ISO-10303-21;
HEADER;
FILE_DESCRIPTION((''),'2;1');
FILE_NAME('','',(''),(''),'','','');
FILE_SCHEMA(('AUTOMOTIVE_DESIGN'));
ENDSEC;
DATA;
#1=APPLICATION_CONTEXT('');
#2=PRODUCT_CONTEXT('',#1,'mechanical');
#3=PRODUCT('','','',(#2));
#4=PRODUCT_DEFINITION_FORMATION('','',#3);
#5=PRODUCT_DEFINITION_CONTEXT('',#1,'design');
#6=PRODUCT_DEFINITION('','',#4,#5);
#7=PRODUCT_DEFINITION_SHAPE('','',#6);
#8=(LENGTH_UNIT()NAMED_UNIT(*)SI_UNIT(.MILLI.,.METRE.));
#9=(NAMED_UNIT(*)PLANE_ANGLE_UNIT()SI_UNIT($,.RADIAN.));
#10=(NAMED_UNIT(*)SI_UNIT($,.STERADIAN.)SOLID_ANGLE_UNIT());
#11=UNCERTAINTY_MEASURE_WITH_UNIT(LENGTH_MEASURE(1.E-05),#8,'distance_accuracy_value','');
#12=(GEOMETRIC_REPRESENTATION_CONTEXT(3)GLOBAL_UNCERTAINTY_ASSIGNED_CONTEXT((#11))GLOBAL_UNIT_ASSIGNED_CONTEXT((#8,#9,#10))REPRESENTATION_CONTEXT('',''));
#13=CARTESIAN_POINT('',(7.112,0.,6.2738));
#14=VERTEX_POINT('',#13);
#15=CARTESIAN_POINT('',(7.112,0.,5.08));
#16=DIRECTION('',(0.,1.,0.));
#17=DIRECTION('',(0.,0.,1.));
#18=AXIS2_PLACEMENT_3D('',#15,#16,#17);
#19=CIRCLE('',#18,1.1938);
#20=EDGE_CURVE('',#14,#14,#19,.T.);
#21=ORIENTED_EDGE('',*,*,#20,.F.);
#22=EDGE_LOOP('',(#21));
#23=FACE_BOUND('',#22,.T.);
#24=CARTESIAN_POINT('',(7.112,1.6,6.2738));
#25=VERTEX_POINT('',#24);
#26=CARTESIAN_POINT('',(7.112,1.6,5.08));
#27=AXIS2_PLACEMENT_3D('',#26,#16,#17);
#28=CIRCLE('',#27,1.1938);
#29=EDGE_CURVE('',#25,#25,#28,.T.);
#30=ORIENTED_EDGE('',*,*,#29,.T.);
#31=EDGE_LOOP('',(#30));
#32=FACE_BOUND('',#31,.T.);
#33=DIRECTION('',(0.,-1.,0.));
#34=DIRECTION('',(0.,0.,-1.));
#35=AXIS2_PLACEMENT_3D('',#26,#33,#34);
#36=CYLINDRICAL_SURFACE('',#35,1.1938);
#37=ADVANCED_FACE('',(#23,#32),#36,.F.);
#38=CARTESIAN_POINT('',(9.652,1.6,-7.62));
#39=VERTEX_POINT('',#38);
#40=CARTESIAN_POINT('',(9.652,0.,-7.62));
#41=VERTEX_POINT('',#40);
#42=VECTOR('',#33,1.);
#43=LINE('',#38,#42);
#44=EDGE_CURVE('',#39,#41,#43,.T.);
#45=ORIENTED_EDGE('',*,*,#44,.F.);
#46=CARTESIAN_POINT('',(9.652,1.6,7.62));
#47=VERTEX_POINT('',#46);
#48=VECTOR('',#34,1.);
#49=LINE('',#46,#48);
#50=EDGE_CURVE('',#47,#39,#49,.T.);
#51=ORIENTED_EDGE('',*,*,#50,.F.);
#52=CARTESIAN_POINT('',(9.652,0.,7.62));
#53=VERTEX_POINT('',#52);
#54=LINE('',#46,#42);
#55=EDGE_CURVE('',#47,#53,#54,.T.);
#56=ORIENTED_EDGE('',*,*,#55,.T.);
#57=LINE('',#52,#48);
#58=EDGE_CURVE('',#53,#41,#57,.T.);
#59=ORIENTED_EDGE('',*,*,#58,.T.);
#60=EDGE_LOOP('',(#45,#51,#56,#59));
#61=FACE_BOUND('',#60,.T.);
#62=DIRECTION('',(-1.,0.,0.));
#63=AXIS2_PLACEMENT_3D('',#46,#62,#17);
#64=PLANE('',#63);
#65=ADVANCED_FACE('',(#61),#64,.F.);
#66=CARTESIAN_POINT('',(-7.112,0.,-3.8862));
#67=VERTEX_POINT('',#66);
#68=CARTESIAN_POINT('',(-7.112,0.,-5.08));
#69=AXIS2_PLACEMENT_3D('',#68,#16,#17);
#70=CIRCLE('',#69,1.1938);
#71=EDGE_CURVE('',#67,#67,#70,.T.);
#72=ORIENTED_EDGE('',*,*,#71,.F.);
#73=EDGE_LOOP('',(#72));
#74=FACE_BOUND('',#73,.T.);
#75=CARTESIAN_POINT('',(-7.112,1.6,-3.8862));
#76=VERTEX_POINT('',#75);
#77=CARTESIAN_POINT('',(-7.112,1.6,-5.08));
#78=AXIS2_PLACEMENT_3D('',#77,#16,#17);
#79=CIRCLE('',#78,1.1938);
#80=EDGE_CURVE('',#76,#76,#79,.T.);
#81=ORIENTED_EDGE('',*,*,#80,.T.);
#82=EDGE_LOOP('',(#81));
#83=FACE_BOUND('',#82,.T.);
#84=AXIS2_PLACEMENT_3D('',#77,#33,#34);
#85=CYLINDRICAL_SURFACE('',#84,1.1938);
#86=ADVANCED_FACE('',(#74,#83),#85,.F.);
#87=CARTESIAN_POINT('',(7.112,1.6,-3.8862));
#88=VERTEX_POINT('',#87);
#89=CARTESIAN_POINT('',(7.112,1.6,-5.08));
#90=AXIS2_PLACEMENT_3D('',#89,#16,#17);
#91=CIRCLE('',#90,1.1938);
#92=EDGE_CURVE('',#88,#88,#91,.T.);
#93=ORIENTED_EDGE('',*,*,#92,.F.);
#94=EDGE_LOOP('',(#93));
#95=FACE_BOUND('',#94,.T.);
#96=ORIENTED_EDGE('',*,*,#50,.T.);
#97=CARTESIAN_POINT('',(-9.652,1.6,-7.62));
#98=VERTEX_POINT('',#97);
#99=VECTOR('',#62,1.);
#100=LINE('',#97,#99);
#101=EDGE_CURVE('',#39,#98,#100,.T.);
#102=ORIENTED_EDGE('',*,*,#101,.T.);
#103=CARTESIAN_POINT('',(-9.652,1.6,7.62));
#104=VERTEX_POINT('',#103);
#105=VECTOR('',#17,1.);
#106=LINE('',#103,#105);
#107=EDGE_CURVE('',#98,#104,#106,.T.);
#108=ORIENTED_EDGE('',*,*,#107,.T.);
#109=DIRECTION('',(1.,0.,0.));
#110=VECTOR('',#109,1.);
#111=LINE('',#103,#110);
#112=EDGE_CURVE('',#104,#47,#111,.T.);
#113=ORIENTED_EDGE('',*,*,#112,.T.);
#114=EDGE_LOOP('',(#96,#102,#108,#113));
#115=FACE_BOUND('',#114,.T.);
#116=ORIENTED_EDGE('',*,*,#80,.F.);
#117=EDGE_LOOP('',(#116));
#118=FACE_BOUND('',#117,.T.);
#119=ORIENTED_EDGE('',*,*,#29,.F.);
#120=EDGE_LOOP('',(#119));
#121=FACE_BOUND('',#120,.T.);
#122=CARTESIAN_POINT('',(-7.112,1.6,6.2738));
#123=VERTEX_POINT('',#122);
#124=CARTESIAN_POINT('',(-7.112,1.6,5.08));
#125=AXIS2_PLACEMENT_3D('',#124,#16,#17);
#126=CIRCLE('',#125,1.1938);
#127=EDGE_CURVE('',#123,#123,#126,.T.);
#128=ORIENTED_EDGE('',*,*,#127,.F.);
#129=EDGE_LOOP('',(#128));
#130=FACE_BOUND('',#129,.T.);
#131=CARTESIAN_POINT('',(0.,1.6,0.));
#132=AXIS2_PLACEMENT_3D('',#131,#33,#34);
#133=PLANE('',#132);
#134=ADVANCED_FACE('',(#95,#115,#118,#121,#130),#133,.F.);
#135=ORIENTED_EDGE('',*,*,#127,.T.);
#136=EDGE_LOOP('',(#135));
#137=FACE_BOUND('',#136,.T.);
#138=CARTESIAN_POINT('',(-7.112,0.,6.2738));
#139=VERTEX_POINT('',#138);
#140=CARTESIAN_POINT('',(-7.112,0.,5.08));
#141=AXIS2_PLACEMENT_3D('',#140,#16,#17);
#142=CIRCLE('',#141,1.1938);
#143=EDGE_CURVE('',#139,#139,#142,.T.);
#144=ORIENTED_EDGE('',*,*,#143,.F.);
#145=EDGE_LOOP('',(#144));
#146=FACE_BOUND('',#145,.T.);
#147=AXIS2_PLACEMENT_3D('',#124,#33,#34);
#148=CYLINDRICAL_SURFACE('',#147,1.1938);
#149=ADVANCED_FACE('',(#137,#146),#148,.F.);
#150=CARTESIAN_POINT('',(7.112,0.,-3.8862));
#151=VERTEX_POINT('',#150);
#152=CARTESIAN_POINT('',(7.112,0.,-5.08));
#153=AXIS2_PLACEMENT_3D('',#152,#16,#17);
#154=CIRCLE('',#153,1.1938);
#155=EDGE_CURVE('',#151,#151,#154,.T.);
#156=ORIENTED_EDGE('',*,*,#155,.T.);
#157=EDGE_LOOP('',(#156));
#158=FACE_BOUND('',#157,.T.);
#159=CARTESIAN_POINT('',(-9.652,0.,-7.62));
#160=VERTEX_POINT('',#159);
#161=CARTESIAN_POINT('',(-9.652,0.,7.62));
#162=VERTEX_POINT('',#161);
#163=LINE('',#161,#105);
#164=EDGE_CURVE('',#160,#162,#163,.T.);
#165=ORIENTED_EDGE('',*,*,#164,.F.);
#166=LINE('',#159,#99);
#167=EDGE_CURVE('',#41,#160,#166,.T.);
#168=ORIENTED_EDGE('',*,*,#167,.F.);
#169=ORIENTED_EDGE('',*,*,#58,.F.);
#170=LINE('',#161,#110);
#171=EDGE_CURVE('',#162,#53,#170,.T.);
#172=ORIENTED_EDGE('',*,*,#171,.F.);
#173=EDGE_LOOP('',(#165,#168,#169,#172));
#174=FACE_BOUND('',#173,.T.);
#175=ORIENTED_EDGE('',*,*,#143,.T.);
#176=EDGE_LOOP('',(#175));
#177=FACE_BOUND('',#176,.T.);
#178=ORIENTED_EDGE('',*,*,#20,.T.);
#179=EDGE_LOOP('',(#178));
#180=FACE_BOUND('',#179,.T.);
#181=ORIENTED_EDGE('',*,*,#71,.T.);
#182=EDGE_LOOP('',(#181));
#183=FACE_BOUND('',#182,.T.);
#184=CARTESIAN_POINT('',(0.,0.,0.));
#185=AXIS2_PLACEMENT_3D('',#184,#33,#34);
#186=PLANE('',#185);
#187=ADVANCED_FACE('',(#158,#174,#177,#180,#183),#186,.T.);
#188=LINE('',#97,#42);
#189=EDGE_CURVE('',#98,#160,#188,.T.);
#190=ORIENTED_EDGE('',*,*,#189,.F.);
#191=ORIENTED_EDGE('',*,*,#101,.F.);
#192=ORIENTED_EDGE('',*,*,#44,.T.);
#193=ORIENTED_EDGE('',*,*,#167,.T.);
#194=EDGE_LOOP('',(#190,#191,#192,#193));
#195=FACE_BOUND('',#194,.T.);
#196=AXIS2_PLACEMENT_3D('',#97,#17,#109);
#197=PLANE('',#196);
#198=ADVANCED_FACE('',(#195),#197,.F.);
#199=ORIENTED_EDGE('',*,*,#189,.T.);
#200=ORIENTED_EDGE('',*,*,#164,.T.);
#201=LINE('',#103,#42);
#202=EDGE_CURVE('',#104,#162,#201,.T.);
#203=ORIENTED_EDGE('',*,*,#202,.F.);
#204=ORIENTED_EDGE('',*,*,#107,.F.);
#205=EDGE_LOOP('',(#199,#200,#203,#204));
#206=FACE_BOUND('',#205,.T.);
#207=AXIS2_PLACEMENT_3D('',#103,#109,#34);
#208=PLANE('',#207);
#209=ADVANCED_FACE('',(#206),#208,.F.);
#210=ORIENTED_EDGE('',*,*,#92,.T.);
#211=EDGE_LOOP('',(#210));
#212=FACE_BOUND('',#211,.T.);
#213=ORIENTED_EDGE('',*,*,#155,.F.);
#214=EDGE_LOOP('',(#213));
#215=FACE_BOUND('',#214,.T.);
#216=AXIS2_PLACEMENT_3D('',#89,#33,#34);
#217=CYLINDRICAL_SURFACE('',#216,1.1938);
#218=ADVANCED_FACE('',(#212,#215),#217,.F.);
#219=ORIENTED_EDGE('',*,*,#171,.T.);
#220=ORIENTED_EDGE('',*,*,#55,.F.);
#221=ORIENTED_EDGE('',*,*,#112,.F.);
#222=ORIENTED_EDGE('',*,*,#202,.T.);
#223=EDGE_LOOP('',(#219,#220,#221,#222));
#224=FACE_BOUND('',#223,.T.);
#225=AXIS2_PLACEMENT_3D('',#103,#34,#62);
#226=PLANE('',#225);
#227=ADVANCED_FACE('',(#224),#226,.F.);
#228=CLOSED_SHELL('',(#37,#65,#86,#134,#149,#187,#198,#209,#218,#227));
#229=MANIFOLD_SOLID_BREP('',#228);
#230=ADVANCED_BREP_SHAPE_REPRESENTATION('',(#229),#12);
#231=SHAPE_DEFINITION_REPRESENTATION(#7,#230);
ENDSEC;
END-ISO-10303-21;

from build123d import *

# Parameters (mm, degrees)
SKETCH1_W           = 19.304
SKETCH1_H           = 15.24
SKETCH1_R           = 1.1938
BOSS_EXTRUDE1_DEPTH = 1.6


with BuildPart() as part:
    # Sketch1 → Boss-Extrude1 (new body)
    with BuildSketch(Plane(origin=(0, 0, 0), x_dir=(1, 0, 0), z_dir=(0, 1, 0))):
        Rectangle(SKETCH1_W, SKETCH1_H)
        with Locations(Location((7.112, 5.08, 0), (0, 0, 270))):
            Circle(SKETCH1_R, mode=Mode.SUBTRACT)
        with Locations(Location((7.112, -5.08, 0), (0, 0, 270))):
            Circle(SKETCH1_R, mode=Mode.SUBTRACT)
        with Locations(Location((-7.112, -5.08, 0), (0, 0, 270))):
            Circle(SKETCH1_R, mode=Mode.SUBTRACT)
        with Locations(Location((-7.112, 5.08, 0), (0, 0, 270))):
            Circle(SKETCH1_R, mode=Mode.SUBTRACT)
    extrude(amount=BOSS_EXTRUDE1_DEPTH)


solid = part.part
